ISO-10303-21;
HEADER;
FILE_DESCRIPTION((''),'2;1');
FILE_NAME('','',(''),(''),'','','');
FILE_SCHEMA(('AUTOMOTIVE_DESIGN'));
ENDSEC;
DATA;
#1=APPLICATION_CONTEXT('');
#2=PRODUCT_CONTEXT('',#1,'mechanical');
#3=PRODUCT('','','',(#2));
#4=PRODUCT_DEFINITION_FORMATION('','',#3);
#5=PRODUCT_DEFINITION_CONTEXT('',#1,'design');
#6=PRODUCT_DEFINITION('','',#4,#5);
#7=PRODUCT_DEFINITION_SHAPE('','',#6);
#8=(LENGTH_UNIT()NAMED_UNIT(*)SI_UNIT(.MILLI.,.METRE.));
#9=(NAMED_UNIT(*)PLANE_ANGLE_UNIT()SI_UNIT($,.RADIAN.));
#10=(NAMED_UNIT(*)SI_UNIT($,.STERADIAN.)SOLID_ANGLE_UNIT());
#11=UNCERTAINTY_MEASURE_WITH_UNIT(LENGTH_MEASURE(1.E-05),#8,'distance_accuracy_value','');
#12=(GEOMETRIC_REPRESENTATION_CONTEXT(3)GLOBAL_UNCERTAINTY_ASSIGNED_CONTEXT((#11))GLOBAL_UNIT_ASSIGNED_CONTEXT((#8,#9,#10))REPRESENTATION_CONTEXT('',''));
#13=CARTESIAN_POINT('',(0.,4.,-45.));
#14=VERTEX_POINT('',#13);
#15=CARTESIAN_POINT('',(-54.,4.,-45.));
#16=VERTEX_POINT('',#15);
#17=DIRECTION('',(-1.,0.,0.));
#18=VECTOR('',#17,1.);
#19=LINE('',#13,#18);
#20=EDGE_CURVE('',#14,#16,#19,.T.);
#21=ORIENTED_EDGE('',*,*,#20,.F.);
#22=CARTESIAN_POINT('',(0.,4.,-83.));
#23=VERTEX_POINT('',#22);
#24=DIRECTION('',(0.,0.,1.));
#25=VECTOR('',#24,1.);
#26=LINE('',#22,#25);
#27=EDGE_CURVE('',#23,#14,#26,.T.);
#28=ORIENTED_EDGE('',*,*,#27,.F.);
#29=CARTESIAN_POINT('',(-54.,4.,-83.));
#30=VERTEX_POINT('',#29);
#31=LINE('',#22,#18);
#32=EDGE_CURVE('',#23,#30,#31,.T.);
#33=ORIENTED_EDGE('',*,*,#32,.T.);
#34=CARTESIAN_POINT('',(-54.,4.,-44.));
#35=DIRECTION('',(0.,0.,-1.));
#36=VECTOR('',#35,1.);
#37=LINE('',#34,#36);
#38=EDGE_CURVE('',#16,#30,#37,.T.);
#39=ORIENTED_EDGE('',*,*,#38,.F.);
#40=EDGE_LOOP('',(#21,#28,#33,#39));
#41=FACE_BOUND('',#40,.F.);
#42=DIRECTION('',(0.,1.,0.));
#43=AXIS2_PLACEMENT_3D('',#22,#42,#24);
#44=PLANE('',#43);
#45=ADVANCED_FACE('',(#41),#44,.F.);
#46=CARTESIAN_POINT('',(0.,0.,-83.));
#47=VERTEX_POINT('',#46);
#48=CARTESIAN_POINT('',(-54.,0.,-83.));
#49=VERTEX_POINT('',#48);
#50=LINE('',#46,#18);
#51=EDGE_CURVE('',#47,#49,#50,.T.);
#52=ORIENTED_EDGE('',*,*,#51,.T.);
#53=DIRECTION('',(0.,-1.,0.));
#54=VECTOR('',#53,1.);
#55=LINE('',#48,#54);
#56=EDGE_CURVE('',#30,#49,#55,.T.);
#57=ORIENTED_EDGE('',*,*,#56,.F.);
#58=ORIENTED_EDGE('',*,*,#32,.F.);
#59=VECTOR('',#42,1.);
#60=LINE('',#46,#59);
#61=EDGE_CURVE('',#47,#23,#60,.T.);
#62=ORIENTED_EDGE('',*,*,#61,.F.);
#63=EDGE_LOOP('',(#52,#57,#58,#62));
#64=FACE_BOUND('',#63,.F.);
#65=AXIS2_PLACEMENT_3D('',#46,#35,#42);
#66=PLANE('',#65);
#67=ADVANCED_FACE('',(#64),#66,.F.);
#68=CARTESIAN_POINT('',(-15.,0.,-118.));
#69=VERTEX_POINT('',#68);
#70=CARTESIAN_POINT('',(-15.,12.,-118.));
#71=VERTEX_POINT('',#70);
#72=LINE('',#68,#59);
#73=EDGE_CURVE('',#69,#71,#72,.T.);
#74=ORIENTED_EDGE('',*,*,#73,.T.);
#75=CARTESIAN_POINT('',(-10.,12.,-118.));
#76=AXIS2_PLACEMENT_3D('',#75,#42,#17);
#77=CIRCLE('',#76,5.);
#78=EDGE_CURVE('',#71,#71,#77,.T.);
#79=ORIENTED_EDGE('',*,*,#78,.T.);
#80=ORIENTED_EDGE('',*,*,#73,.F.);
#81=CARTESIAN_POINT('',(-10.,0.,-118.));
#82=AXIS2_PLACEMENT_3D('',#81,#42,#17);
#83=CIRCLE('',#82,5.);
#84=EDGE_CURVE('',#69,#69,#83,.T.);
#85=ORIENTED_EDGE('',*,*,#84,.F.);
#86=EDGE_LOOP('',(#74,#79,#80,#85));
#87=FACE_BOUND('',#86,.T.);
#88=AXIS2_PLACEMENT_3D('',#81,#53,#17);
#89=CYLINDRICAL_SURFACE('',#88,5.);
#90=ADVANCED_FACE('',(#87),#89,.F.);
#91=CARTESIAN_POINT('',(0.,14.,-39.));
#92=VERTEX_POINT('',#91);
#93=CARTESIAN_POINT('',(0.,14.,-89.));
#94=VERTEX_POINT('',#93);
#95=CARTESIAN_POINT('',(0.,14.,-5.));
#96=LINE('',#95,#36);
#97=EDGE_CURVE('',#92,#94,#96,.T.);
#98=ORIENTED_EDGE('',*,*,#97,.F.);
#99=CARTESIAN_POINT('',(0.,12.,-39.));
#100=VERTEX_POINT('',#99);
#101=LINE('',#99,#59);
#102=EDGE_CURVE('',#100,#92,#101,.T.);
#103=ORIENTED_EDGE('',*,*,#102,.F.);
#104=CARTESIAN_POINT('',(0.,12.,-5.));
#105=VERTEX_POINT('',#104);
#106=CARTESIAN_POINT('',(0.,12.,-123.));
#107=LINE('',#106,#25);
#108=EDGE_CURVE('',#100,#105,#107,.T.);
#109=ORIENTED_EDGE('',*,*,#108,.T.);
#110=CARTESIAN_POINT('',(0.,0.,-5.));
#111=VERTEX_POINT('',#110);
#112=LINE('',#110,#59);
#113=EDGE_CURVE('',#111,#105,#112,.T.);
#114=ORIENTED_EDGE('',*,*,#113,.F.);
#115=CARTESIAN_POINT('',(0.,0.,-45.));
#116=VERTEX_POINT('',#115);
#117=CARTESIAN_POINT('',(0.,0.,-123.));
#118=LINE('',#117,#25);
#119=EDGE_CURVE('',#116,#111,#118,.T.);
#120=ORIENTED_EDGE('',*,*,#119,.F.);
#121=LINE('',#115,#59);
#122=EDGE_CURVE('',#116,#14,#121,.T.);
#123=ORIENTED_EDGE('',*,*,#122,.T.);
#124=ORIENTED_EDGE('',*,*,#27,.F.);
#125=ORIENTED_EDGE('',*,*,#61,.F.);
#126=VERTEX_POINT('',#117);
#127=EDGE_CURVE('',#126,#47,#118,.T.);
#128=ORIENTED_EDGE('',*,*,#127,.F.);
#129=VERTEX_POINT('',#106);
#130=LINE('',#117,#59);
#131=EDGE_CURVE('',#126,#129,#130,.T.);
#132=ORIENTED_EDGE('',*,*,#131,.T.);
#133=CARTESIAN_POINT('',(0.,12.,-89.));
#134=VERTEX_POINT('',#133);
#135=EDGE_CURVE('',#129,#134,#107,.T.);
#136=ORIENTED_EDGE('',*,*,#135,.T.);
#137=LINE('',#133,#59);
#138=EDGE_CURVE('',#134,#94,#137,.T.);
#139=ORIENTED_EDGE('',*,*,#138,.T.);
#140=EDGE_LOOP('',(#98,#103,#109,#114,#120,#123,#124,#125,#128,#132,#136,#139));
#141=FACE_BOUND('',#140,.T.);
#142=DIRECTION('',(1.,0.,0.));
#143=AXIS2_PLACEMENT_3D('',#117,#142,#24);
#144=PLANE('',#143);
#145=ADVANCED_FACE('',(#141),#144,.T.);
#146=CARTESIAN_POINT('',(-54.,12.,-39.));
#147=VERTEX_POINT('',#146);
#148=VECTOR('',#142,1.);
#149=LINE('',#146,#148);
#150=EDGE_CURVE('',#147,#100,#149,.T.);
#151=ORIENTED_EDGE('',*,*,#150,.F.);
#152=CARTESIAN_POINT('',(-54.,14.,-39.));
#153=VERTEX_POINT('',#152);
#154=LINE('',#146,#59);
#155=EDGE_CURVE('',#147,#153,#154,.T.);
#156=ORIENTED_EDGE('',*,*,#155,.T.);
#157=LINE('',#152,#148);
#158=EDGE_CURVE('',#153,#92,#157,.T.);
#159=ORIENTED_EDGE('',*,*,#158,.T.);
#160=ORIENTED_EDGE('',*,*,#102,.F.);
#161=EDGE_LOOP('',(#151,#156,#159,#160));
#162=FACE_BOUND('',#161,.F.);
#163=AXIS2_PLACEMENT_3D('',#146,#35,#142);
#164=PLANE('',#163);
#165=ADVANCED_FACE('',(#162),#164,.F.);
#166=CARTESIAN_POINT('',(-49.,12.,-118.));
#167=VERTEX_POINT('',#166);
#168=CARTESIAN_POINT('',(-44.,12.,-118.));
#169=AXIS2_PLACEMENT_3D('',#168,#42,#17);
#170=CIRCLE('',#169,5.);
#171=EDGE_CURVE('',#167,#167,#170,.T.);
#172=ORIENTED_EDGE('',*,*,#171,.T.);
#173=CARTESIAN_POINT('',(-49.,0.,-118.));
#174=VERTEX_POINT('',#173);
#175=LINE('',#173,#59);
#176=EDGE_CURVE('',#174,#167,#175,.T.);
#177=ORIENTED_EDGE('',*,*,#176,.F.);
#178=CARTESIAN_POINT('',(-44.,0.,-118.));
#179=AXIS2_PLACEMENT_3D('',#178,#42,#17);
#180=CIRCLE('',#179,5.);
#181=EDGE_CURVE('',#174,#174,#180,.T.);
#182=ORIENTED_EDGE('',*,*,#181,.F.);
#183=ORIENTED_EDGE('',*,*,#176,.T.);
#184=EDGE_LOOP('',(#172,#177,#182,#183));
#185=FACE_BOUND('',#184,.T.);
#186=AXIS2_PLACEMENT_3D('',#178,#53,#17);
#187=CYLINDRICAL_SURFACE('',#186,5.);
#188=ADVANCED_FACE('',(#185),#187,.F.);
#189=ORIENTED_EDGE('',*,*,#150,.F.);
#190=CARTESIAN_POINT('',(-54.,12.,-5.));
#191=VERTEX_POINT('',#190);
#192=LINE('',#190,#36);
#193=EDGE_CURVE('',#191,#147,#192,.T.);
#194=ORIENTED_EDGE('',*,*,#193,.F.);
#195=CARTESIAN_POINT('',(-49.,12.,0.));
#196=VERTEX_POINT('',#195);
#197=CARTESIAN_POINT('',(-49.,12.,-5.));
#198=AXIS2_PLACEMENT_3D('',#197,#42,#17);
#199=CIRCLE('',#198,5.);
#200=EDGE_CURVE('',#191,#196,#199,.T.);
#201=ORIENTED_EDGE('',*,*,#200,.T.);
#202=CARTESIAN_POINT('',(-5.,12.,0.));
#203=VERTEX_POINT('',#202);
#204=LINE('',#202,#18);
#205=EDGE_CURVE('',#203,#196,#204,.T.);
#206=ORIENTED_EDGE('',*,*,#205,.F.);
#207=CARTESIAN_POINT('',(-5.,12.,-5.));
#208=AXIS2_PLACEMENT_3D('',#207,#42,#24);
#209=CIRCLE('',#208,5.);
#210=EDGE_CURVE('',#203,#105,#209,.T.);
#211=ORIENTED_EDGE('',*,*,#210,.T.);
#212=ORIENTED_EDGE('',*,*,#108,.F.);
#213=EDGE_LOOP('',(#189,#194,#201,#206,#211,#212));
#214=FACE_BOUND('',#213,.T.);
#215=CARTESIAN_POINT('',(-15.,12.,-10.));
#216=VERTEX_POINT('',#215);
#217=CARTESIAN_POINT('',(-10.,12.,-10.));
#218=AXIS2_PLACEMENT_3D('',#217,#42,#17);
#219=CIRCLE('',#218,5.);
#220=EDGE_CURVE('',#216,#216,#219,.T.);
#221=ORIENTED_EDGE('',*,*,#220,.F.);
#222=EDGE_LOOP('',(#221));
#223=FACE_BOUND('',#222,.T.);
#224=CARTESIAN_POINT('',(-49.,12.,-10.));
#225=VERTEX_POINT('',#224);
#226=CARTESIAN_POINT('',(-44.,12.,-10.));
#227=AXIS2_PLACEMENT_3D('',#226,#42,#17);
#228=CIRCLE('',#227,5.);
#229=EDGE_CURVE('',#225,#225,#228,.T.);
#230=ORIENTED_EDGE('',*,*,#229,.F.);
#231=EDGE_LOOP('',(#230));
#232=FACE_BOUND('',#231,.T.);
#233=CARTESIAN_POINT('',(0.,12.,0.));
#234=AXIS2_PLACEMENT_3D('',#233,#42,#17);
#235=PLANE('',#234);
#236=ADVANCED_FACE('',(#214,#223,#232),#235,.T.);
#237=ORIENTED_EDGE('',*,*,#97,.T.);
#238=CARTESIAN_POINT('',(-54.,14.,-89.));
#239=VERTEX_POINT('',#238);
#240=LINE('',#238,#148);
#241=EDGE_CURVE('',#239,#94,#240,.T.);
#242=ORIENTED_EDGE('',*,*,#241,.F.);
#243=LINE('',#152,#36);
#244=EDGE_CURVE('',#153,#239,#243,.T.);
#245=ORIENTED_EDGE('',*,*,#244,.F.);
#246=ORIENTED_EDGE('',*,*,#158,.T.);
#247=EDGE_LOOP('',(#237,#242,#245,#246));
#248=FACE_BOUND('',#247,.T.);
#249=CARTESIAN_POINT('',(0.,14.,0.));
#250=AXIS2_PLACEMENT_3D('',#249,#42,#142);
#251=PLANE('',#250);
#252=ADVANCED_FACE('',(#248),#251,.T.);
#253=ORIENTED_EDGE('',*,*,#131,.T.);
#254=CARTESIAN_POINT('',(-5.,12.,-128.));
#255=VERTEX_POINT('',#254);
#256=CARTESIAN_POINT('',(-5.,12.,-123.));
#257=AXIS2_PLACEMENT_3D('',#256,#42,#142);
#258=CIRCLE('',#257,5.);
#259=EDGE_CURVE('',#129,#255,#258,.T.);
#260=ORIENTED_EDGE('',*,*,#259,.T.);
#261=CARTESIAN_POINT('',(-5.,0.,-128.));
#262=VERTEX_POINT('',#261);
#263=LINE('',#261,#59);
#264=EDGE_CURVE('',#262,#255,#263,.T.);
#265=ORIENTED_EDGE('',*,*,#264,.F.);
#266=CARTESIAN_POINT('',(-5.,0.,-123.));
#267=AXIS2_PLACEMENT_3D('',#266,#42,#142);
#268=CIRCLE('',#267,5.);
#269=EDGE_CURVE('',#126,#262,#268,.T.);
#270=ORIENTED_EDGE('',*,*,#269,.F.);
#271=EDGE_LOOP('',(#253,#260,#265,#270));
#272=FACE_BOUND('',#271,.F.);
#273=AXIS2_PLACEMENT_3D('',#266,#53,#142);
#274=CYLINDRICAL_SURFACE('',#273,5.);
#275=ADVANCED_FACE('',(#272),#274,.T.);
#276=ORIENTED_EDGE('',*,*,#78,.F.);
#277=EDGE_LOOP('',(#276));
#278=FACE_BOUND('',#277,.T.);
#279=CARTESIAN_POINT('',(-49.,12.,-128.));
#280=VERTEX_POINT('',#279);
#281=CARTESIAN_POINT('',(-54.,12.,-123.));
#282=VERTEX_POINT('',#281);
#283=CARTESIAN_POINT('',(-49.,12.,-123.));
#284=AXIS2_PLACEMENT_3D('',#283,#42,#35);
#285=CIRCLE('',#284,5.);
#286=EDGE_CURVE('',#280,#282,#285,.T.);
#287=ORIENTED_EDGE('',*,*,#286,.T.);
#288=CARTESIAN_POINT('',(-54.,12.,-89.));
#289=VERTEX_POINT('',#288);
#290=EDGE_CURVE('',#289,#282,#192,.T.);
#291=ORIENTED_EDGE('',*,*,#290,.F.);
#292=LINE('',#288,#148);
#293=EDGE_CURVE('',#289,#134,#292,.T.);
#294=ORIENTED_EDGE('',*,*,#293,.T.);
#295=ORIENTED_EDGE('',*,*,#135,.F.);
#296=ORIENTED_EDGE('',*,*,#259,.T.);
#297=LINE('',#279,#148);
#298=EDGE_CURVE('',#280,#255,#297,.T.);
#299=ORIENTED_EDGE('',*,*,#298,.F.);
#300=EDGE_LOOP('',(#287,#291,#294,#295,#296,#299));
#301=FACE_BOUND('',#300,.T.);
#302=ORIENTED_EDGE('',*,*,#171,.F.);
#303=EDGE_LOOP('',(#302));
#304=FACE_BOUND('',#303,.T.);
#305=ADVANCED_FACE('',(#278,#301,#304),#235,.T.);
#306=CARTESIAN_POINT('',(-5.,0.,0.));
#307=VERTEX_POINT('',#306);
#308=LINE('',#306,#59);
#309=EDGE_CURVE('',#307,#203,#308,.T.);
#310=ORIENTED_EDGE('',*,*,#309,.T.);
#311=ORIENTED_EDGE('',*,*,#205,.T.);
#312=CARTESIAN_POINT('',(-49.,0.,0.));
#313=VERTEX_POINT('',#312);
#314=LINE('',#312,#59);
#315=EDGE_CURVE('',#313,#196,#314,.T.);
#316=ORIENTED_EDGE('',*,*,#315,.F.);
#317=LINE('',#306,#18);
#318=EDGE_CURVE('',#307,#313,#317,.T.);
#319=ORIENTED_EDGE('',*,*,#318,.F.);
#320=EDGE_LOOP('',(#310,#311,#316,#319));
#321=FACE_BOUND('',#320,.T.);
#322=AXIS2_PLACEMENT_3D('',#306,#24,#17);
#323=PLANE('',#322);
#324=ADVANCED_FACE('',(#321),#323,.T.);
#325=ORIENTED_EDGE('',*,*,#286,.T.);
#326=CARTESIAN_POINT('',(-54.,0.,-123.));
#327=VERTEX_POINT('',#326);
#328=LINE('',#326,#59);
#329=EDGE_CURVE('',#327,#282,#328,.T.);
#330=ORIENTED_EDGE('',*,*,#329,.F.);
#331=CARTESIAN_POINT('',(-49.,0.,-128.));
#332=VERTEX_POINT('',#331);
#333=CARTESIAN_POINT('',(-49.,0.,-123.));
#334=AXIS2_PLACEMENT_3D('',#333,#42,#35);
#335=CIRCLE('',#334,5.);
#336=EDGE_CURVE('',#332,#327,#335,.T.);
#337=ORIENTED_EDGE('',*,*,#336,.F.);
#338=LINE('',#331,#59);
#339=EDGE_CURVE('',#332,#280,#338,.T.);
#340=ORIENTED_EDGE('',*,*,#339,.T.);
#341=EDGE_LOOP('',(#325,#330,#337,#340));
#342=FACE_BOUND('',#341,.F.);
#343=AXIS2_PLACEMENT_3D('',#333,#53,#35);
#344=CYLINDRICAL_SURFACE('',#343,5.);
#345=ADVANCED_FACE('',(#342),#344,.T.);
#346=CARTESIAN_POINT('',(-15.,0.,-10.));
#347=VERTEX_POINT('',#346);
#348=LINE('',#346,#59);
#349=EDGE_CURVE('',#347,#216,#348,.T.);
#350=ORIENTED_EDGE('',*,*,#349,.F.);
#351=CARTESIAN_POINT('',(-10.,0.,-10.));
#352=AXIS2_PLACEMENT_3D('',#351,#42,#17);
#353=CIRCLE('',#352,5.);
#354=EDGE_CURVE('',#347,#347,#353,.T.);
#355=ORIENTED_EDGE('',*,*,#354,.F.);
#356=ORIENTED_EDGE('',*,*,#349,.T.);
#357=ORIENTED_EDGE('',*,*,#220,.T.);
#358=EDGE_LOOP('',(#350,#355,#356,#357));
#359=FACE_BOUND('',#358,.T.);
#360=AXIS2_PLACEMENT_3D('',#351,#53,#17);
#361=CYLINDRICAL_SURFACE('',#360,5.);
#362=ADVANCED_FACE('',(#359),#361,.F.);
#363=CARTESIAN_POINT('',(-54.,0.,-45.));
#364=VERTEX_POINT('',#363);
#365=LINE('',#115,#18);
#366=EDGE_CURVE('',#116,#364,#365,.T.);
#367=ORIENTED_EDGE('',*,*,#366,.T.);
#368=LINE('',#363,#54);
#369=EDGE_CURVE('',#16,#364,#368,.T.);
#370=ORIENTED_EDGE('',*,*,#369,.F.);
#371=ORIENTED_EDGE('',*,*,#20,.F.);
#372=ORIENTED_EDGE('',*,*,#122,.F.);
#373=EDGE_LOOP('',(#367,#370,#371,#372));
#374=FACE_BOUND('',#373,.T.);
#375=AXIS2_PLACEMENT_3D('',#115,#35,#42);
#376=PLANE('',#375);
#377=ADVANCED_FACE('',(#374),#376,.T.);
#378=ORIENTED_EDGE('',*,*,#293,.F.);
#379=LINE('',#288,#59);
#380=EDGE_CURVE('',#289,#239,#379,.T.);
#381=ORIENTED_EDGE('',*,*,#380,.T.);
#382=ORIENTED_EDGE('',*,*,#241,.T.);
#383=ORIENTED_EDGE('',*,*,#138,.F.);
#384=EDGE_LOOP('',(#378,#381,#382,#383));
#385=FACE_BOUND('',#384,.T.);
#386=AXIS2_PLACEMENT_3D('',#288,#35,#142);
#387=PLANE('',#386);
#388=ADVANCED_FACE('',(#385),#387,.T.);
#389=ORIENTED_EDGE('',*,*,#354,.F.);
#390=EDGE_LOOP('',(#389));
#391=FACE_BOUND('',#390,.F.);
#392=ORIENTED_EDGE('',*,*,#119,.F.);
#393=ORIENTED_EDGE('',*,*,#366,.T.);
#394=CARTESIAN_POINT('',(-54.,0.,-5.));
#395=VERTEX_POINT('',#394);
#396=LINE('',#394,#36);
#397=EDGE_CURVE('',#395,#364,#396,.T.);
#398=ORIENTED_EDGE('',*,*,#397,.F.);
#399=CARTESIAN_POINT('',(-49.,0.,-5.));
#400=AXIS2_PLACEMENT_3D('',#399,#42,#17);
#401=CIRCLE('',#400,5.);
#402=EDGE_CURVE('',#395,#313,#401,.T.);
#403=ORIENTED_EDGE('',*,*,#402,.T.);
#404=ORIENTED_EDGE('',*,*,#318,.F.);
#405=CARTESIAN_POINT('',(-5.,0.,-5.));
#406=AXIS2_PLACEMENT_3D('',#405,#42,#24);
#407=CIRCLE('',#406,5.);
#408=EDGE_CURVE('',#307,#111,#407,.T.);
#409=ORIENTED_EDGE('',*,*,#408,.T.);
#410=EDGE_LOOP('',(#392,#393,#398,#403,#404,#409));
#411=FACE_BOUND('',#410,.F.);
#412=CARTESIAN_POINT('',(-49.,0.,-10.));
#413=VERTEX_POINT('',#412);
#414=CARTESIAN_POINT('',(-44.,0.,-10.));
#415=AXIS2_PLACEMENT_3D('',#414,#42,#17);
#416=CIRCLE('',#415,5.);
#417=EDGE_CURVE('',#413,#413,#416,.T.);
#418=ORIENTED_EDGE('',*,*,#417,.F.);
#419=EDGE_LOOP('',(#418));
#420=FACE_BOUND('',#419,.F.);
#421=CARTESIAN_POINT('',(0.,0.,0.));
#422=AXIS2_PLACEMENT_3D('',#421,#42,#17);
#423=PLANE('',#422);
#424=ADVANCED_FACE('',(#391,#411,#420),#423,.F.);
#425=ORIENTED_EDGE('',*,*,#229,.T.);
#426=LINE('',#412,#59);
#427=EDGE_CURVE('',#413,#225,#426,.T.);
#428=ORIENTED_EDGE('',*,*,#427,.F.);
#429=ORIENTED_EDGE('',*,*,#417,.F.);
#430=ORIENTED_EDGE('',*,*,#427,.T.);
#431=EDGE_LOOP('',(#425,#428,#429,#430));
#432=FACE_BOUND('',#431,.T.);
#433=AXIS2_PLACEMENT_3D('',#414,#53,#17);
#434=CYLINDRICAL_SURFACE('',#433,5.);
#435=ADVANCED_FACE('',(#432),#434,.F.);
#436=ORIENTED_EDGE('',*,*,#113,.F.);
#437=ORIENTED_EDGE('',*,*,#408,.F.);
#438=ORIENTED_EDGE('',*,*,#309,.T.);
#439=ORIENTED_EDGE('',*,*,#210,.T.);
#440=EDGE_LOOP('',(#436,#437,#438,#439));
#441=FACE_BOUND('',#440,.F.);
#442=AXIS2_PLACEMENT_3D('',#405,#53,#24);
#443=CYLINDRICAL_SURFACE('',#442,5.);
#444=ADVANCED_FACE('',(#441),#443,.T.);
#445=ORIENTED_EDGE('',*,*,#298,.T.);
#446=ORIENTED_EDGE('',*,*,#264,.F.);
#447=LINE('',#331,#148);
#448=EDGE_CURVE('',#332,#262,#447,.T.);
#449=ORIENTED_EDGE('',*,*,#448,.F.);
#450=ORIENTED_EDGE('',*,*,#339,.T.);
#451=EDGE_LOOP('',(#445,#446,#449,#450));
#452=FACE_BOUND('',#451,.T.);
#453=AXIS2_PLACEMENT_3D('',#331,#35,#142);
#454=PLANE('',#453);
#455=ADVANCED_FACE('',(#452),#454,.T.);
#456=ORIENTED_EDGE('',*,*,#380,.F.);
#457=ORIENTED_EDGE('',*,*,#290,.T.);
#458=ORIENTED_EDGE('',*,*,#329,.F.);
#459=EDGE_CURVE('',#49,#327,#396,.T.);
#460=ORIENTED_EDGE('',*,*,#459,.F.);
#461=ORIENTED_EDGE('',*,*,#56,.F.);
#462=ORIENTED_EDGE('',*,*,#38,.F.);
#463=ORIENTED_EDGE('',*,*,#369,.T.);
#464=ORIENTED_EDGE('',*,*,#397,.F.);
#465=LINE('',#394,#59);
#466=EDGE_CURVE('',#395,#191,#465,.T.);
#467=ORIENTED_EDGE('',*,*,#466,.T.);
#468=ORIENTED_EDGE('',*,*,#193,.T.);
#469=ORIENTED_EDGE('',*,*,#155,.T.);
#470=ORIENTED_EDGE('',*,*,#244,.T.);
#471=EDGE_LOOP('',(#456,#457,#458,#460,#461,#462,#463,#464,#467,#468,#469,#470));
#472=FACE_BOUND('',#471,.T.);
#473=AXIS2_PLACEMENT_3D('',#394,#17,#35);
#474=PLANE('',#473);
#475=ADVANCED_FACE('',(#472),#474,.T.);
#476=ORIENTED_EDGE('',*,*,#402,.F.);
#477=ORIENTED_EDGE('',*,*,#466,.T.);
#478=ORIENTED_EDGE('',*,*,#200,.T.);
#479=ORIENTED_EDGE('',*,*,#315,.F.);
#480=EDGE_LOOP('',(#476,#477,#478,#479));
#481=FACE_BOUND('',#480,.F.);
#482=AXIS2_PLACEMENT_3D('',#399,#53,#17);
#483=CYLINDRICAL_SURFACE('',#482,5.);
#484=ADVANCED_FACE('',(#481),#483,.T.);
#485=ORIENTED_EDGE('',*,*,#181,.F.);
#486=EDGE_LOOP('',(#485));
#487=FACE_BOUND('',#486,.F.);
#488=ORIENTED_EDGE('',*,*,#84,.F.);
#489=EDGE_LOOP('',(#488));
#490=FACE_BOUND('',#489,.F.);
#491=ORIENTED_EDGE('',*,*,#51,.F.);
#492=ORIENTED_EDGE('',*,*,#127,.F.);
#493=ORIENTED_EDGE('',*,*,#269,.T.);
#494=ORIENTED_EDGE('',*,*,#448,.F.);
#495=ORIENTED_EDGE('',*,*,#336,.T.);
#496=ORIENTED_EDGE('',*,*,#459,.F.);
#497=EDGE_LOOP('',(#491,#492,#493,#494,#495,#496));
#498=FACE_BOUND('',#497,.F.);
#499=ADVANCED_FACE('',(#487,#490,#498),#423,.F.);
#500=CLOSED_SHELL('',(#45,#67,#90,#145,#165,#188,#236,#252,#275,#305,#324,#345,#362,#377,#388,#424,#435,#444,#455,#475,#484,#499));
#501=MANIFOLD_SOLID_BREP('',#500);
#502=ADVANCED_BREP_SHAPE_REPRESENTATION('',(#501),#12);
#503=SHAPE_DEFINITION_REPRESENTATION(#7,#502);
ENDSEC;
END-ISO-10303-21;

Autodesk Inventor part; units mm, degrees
ref_plane "YZ Plane" through (0, 0, 0) normal (1, 0, 0) x (0, 1, 0)
ref_plane "XZ Plane" through (0, 0, 0) normal (0, 1, 0) x (-1, 0, 0)
ref_plane "XY Plane" through (0, 0, 0) normal (0, 0, 1) x (1, 0, 0)
sketch "Sketch1" plane through (0, 0, 0) normal (0, 1, 0) x (-1, 0, 0)
  line L0 (5, 0) -> (49, 0)
  line L1 (54, -5) -> (54, -123)
  line L2 (49, -128) -> (5, -128)
  line L3 (0, -123) -> (0, -5)
  arc A0 (5, 0) -> (0, -5) centre (5, -5) ccw
  arc A1 (54, -5) -> (49, 0) centre (49, -5) ccw
  arc A2 (49, -128) -> (54, -123) centre (49, -123) ccw
  arc A3 (0, -123) -> (5, -128) centre (5, -123) ccw
  circle A4 centre (44, -10) radius 5
  circle A5 centre (44, -118) radius 5
  circle A6 centre (10, -10) radius 5
  circle A7 centre (10, -118) radius 5
  point P0 (0, 0)
  point P1 (54, -128)
  point P2 (54, 0)
  point P3 (0, -128)
  dimension "d0" = 54
  dimension "d1" = 128
  dimension "d2" = 5
  dimension "d3" = 5
  dimension "d4" = 5
  dimension "d5" = 5
  dimension "d6" = 10
  dimension "d7" = 10
  dimension "d8" = 10
  dimension "d9" = 10
  dimension "d10" = 10
  dimension "d11" = 10
  dimension "d12" = 10
  dimension "d13" = 10
  dimension "d14" = 10
  dimension "d16" = 10
  dimension "d17" = 10
  dimension "d18" = 10
extrude "Extrusion1" add sketch "Sketch1" along normal blind 12
sketch "Sketch2" plane through (0, 0, -5) normal (1, 0, 0) x (0, 0, -1)
  line L0 (0, 0) -> (0, 12) projected
  line L1 (123, 0) -> (118, 0) projected
  line L2 (59, 0) -> (78, 0)
  line L3 (118, 0) -> (0, 0) projected
  line L4 (59, 0) -> (40, 0)
  line L5 (40, 0) -> (40, 4)
  line L6 (78, 0) -> (78, 4)
  line L7 (78, 4) -> (40, 4)
  point P0 (-5, 0)
  dimension "d22" = 19
  dimension "d23" = 19
  dimension "d24" = 4
  dimension "d25" = 4
extrude "Extrusion2" cut sketch "Sketch2" against normal blind 85.25
sketch "Sketch3" plane through (0, 12, 0) normal (0, 1, 0) x (1, 0, 0)
  line L0 (-54, 5) -> (-54, 64)
  line L1 (-54, 64) -> (-54, 89)
  line L2 (-54, 64) -> (-54, 39)
  line L3 (-54, 39) -> (0, 39)
  line L4 (0, 5) -> (0, 123) projected
  line L5 (-54, 89) -> (0, 89)
  line L6 (0, 39) -> (0, 89)
  point P0 (0, 0)
  dimension "d29" = 25
  dimension "d30" = 25
extrude "Extrusion3" add sketch "Sketch3" along normal blind 2
properties part number "4 - Part 5"
